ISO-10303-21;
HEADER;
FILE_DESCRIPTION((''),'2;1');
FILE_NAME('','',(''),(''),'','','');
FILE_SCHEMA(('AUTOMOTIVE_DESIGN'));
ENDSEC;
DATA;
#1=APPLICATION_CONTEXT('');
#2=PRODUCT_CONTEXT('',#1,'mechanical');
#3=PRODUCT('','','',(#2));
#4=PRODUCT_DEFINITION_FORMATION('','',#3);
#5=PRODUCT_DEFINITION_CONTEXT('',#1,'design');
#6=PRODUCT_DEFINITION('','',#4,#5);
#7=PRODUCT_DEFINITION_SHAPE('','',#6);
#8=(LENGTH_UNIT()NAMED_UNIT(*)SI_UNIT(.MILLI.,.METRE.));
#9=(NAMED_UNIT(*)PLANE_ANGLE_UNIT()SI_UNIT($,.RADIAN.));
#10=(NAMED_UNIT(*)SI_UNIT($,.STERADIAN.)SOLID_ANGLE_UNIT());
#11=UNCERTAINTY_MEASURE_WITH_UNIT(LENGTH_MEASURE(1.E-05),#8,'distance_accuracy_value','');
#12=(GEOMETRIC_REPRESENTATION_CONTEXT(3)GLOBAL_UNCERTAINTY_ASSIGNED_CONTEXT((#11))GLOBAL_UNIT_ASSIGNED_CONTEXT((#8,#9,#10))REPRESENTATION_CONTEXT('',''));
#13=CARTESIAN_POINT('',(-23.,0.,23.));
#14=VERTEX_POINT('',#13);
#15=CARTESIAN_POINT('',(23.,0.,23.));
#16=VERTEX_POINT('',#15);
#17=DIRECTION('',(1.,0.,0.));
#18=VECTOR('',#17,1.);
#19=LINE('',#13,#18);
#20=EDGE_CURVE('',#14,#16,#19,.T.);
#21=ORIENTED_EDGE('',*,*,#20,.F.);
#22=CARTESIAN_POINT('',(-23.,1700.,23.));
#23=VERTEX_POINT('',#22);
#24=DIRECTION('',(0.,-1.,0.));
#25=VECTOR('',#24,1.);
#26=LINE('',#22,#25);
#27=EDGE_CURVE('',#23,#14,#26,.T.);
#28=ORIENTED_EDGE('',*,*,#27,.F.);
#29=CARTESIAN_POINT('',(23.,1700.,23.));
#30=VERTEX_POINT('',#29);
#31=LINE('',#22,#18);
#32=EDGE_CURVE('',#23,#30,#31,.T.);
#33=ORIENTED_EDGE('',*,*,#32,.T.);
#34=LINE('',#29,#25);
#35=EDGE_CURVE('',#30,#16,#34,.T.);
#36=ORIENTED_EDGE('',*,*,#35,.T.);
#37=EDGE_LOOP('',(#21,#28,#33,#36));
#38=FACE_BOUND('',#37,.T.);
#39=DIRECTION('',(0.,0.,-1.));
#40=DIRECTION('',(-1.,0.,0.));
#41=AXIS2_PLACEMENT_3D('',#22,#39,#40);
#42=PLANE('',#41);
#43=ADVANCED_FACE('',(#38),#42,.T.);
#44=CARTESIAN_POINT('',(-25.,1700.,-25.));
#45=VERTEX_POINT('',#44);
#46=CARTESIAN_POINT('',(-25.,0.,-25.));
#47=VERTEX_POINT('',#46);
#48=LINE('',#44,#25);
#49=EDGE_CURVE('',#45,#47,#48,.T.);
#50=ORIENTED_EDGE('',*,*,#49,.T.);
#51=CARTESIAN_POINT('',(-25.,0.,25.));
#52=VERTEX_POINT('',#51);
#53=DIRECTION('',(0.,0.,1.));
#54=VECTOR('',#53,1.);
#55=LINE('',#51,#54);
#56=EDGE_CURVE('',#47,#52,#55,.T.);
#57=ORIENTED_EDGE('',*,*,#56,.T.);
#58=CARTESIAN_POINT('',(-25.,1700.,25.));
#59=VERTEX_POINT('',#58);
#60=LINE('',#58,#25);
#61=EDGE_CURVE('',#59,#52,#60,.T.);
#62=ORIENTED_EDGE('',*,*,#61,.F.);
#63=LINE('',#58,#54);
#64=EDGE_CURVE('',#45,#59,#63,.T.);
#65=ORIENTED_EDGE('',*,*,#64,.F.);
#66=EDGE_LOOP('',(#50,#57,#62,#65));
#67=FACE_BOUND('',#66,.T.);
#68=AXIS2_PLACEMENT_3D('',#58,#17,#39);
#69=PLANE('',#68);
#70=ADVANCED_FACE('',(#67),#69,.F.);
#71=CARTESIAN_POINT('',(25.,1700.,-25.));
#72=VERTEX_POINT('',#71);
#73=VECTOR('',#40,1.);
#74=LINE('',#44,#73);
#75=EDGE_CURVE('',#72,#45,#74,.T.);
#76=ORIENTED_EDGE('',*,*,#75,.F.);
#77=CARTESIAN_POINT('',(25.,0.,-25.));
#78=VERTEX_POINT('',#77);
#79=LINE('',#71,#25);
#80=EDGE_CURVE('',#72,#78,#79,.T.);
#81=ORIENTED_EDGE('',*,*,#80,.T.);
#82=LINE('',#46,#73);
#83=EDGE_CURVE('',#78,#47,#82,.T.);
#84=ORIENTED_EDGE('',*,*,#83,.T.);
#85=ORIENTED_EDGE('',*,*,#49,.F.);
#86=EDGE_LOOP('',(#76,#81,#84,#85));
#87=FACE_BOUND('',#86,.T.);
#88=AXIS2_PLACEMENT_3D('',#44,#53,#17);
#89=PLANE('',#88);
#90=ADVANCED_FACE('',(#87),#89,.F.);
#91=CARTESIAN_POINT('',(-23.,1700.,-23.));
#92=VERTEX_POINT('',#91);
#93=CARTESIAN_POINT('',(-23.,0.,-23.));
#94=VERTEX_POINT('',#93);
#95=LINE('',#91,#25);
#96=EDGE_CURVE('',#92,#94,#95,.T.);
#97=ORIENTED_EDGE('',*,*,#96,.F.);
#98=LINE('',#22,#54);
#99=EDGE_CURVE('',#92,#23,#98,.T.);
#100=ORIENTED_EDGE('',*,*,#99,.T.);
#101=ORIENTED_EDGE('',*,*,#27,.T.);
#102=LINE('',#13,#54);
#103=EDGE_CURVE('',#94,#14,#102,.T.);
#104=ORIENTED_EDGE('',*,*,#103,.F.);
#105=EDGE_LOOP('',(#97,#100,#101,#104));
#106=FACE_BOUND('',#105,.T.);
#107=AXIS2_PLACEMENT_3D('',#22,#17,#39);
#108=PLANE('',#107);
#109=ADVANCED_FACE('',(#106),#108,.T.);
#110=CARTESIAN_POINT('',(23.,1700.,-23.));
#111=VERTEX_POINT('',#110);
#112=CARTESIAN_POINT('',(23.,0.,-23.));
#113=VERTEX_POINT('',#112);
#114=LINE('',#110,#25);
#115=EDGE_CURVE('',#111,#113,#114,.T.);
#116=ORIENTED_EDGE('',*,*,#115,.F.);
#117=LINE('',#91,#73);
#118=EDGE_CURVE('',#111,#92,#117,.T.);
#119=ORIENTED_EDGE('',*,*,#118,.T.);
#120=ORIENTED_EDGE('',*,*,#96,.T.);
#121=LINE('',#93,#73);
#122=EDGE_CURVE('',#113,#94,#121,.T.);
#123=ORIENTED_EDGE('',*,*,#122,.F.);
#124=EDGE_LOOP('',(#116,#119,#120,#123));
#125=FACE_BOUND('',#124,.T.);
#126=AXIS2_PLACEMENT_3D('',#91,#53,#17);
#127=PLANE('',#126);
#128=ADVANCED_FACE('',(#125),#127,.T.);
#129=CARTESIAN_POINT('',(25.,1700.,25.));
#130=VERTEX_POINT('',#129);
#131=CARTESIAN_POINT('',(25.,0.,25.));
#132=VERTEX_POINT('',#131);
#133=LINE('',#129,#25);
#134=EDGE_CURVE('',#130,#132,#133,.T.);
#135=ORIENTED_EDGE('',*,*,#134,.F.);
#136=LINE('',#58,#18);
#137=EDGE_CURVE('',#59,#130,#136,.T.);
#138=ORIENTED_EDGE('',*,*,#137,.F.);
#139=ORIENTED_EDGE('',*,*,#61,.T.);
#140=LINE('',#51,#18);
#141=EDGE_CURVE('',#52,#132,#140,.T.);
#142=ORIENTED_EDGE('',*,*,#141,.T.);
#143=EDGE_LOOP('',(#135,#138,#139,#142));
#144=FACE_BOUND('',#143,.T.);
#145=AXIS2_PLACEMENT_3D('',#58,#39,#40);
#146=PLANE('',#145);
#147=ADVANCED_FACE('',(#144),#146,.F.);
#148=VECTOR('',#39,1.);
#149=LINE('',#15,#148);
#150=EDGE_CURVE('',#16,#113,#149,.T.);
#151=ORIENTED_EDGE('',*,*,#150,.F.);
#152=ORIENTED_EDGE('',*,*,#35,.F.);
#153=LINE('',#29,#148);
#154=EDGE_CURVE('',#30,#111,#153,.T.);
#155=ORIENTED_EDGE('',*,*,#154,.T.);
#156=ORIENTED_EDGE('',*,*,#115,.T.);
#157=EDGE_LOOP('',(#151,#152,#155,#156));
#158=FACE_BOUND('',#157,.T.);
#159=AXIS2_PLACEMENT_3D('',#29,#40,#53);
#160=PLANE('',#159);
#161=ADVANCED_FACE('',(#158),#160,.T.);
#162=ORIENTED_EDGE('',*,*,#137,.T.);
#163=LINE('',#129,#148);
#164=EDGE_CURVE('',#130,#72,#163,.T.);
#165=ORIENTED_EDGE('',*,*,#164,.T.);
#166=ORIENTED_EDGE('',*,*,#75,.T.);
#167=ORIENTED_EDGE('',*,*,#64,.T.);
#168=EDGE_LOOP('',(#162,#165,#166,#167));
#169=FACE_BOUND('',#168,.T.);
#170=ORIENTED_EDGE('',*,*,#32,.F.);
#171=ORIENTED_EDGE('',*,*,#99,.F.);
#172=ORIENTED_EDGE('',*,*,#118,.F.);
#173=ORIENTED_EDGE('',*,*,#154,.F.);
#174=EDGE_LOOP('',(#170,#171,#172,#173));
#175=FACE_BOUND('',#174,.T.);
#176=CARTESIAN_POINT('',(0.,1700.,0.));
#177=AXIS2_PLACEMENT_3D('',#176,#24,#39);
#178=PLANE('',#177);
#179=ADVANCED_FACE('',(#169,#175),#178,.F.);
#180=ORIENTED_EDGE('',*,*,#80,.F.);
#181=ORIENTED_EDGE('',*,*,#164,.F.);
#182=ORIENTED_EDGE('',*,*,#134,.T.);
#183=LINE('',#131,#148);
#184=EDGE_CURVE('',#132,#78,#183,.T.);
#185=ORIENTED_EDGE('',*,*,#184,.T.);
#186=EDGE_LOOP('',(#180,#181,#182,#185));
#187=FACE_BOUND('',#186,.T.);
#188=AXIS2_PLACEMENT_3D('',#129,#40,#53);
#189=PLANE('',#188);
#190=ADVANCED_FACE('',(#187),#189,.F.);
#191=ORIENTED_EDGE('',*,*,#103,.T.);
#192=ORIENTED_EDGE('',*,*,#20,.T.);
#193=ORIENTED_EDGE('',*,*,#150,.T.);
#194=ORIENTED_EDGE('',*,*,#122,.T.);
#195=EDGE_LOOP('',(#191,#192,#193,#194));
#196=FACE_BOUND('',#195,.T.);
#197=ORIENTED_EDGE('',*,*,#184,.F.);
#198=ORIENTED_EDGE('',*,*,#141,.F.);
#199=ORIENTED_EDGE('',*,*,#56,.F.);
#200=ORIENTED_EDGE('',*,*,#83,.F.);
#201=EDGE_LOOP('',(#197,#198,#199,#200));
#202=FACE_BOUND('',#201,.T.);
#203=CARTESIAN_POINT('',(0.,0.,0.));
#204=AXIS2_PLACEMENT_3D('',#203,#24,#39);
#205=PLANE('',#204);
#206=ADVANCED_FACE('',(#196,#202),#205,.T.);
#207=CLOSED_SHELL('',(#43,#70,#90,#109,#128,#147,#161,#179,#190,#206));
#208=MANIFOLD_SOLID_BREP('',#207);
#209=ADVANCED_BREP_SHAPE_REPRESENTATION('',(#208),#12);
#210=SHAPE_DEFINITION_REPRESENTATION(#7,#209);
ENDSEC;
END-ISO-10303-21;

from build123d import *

# Parameters (mm, degrees)
SKETCH1_W           = 50
SKETCH1_H           = 50
SKETCH1_W_2         = 46
SKETCH1_H_2         = 46
BOSS_EXTRUDE1_DEPTH = 1700


with BuildPart() as part:
    # Sketch1 → Boss-Extrude1 (new body)
    with BuildSketch(Plane(origin=(0, 0, 0), x_dir=(1, 0, 0), z_dir=(0, 1, 0))):
        Rectangle(SKETCH1_W, SKETCH1_H)
        Rectangle(SKETCH1_W_2, SKETCH1_H_2, mode=Mode.SUBTRACT)
    extrude(amount=BOSS_EXTRUDE1_DEPTH)


solid = part.part
